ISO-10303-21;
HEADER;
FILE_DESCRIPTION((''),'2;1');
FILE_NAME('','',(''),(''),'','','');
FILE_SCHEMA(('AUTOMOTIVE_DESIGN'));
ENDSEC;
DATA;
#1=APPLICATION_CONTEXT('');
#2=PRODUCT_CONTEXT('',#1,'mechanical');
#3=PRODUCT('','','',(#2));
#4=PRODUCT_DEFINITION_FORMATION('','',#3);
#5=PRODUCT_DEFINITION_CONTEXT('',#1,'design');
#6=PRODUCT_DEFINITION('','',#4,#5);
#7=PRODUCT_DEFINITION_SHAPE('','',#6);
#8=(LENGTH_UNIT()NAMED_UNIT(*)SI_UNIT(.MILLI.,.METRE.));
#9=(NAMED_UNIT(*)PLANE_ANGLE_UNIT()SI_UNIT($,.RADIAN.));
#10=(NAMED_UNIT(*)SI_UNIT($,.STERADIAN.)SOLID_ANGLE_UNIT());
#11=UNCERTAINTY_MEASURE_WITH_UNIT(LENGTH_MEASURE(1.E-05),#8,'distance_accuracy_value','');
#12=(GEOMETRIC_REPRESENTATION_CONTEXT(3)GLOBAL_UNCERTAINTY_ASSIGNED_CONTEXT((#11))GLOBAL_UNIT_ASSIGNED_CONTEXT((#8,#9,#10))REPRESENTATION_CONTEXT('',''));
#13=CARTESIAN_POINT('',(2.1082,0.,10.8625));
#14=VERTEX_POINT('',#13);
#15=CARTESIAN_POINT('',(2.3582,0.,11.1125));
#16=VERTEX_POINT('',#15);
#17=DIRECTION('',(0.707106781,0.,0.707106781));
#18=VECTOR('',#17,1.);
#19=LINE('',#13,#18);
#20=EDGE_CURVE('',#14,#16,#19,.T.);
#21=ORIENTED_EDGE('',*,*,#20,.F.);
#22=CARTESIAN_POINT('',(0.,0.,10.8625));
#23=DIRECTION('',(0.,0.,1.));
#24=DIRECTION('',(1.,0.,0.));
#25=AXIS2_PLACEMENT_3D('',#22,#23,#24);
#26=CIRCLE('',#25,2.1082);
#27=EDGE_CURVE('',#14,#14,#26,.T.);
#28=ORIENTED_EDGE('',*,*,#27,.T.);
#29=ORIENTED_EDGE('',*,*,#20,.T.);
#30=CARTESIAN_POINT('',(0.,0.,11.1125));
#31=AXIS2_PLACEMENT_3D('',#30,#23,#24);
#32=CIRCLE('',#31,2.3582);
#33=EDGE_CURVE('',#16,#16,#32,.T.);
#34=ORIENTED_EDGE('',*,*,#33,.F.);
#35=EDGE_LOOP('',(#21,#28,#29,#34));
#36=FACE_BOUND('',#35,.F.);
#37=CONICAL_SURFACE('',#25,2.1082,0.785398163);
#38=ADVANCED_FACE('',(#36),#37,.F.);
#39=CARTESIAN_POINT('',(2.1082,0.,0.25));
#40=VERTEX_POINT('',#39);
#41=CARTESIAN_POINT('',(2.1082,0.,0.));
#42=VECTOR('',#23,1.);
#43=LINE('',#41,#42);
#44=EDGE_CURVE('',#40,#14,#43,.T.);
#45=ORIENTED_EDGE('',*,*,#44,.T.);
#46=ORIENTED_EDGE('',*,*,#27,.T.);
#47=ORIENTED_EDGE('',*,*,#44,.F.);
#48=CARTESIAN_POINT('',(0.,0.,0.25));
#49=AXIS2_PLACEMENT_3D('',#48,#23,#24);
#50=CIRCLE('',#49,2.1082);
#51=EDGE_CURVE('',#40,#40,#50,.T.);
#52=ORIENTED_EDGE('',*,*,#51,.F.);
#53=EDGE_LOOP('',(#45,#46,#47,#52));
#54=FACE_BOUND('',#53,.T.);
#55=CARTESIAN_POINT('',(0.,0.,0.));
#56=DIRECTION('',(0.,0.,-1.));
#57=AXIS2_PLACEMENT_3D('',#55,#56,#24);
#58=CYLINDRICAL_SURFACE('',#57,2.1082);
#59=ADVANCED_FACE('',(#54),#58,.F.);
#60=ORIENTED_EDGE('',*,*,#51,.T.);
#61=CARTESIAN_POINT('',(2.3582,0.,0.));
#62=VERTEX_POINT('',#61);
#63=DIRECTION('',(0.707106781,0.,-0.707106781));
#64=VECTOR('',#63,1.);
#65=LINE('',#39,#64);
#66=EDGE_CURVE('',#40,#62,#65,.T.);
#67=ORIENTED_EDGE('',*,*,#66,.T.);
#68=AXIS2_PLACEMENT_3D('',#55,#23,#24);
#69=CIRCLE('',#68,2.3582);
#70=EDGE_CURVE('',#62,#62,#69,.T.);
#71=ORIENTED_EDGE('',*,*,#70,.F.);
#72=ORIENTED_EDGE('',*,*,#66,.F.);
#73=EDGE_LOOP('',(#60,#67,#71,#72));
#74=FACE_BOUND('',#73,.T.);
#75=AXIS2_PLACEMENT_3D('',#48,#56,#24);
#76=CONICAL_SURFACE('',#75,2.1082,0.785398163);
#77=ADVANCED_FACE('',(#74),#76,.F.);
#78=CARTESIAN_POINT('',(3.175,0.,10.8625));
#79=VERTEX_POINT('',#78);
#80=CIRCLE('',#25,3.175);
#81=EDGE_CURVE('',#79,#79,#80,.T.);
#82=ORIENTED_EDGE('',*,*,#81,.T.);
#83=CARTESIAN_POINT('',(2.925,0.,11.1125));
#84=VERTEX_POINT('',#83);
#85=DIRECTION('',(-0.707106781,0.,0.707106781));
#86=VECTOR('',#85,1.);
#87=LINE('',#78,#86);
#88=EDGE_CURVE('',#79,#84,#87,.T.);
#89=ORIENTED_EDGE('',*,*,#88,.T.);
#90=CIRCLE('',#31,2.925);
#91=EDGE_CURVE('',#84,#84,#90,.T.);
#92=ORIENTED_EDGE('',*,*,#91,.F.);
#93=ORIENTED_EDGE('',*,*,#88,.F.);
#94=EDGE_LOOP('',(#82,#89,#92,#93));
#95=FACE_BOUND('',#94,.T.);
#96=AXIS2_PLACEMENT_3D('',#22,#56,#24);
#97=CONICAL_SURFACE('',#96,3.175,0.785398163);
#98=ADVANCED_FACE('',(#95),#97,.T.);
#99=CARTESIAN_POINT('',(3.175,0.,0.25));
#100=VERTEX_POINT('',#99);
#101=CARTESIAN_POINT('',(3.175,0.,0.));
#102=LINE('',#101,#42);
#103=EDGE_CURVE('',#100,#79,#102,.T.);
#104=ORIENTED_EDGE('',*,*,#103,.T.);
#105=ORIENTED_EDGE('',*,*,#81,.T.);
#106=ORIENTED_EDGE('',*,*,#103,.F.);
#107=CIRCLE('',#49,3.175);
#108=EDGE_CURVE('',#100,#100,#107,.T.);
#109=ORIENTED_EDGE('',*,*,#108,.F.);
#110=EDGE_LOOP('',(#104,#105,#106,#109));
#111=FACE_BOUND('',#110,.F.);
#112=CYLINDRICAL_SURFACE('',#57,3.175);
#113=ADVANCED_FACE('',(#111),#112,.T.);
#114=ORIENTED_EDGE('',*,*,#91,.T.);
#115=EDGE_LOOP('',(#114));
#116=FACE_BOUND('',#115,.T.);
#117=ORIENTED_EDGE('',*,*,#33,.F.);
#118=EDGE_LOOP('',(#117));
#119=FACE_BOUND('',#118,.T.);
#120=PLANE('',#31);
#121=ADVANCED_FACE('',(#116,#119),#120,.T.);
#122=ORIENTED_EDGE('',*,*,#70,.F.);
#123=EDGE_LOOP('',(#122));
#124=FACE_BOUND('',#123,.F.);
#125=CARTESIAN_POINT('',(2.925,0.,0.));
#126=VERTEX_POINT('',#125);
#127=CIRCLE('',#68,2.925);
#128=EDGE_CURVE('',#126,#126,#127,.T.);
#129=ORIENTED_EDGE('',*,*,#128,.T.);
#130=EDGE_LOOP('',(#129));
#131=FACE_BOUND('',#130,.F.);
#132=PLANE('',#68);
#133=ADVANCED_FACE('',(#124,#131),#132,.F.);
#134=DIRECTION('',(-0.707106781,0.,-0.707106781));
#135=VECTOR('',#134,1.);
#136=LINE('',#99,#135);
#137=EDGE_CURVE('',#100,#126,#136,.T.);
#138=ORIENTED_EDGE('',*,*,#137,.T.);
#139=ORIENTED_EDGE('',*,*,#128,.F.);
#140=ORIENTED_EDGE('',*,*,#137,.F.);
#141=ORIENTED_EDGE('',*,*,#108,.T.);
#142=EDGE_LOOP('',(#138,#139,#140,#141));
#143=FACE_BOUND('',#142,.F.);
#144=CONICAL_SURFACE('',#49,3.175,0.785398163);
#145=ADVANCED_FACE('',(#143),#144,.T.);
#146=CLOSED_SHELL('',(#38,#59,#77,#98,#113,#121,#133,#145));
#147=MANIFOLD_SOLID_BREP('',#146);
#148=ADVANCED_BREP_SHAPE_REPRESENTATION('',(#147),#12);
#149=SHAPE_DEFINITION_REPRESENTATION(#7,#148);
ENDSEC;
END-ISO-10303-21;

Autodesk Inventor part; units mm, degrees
ref_plane "YZ Plane" through (0, 0, 0) normal (1, 0, 0) x (0, 1, 0)
ref_plane "XZ Plane" through (0, 0, 0) normal (0, 1, 0) x (-1, 0, 0)
ref_plane "XY Plane" through (0, 0, 0) normal (0, 0, 1) x (1, 0, 0)
sketch "Sketch1" plane through (0, 0, 0) normal (0, 0, 1) x (1, 0, 0)
  circle A0 centre (0, 0) radius 3.175
  circle A1 centre (0, 0) radius 2.1082
  dimension "d0" = 6.35
  dimension "d1" = 4.2164
extrude "Extrusion1" add sketch "Sketch1" along normal blind 11.1125
chamfer "Chamfer1" distance 0.25 angle 45 4 edges at (-2.1082, 0, 11.1125) (-3.175, 0, 11.1125) (-3.175, 0, 0) (-2.1082, 0, 0)
properties part number "1127-8-SL" material "Aluminum 6061"
